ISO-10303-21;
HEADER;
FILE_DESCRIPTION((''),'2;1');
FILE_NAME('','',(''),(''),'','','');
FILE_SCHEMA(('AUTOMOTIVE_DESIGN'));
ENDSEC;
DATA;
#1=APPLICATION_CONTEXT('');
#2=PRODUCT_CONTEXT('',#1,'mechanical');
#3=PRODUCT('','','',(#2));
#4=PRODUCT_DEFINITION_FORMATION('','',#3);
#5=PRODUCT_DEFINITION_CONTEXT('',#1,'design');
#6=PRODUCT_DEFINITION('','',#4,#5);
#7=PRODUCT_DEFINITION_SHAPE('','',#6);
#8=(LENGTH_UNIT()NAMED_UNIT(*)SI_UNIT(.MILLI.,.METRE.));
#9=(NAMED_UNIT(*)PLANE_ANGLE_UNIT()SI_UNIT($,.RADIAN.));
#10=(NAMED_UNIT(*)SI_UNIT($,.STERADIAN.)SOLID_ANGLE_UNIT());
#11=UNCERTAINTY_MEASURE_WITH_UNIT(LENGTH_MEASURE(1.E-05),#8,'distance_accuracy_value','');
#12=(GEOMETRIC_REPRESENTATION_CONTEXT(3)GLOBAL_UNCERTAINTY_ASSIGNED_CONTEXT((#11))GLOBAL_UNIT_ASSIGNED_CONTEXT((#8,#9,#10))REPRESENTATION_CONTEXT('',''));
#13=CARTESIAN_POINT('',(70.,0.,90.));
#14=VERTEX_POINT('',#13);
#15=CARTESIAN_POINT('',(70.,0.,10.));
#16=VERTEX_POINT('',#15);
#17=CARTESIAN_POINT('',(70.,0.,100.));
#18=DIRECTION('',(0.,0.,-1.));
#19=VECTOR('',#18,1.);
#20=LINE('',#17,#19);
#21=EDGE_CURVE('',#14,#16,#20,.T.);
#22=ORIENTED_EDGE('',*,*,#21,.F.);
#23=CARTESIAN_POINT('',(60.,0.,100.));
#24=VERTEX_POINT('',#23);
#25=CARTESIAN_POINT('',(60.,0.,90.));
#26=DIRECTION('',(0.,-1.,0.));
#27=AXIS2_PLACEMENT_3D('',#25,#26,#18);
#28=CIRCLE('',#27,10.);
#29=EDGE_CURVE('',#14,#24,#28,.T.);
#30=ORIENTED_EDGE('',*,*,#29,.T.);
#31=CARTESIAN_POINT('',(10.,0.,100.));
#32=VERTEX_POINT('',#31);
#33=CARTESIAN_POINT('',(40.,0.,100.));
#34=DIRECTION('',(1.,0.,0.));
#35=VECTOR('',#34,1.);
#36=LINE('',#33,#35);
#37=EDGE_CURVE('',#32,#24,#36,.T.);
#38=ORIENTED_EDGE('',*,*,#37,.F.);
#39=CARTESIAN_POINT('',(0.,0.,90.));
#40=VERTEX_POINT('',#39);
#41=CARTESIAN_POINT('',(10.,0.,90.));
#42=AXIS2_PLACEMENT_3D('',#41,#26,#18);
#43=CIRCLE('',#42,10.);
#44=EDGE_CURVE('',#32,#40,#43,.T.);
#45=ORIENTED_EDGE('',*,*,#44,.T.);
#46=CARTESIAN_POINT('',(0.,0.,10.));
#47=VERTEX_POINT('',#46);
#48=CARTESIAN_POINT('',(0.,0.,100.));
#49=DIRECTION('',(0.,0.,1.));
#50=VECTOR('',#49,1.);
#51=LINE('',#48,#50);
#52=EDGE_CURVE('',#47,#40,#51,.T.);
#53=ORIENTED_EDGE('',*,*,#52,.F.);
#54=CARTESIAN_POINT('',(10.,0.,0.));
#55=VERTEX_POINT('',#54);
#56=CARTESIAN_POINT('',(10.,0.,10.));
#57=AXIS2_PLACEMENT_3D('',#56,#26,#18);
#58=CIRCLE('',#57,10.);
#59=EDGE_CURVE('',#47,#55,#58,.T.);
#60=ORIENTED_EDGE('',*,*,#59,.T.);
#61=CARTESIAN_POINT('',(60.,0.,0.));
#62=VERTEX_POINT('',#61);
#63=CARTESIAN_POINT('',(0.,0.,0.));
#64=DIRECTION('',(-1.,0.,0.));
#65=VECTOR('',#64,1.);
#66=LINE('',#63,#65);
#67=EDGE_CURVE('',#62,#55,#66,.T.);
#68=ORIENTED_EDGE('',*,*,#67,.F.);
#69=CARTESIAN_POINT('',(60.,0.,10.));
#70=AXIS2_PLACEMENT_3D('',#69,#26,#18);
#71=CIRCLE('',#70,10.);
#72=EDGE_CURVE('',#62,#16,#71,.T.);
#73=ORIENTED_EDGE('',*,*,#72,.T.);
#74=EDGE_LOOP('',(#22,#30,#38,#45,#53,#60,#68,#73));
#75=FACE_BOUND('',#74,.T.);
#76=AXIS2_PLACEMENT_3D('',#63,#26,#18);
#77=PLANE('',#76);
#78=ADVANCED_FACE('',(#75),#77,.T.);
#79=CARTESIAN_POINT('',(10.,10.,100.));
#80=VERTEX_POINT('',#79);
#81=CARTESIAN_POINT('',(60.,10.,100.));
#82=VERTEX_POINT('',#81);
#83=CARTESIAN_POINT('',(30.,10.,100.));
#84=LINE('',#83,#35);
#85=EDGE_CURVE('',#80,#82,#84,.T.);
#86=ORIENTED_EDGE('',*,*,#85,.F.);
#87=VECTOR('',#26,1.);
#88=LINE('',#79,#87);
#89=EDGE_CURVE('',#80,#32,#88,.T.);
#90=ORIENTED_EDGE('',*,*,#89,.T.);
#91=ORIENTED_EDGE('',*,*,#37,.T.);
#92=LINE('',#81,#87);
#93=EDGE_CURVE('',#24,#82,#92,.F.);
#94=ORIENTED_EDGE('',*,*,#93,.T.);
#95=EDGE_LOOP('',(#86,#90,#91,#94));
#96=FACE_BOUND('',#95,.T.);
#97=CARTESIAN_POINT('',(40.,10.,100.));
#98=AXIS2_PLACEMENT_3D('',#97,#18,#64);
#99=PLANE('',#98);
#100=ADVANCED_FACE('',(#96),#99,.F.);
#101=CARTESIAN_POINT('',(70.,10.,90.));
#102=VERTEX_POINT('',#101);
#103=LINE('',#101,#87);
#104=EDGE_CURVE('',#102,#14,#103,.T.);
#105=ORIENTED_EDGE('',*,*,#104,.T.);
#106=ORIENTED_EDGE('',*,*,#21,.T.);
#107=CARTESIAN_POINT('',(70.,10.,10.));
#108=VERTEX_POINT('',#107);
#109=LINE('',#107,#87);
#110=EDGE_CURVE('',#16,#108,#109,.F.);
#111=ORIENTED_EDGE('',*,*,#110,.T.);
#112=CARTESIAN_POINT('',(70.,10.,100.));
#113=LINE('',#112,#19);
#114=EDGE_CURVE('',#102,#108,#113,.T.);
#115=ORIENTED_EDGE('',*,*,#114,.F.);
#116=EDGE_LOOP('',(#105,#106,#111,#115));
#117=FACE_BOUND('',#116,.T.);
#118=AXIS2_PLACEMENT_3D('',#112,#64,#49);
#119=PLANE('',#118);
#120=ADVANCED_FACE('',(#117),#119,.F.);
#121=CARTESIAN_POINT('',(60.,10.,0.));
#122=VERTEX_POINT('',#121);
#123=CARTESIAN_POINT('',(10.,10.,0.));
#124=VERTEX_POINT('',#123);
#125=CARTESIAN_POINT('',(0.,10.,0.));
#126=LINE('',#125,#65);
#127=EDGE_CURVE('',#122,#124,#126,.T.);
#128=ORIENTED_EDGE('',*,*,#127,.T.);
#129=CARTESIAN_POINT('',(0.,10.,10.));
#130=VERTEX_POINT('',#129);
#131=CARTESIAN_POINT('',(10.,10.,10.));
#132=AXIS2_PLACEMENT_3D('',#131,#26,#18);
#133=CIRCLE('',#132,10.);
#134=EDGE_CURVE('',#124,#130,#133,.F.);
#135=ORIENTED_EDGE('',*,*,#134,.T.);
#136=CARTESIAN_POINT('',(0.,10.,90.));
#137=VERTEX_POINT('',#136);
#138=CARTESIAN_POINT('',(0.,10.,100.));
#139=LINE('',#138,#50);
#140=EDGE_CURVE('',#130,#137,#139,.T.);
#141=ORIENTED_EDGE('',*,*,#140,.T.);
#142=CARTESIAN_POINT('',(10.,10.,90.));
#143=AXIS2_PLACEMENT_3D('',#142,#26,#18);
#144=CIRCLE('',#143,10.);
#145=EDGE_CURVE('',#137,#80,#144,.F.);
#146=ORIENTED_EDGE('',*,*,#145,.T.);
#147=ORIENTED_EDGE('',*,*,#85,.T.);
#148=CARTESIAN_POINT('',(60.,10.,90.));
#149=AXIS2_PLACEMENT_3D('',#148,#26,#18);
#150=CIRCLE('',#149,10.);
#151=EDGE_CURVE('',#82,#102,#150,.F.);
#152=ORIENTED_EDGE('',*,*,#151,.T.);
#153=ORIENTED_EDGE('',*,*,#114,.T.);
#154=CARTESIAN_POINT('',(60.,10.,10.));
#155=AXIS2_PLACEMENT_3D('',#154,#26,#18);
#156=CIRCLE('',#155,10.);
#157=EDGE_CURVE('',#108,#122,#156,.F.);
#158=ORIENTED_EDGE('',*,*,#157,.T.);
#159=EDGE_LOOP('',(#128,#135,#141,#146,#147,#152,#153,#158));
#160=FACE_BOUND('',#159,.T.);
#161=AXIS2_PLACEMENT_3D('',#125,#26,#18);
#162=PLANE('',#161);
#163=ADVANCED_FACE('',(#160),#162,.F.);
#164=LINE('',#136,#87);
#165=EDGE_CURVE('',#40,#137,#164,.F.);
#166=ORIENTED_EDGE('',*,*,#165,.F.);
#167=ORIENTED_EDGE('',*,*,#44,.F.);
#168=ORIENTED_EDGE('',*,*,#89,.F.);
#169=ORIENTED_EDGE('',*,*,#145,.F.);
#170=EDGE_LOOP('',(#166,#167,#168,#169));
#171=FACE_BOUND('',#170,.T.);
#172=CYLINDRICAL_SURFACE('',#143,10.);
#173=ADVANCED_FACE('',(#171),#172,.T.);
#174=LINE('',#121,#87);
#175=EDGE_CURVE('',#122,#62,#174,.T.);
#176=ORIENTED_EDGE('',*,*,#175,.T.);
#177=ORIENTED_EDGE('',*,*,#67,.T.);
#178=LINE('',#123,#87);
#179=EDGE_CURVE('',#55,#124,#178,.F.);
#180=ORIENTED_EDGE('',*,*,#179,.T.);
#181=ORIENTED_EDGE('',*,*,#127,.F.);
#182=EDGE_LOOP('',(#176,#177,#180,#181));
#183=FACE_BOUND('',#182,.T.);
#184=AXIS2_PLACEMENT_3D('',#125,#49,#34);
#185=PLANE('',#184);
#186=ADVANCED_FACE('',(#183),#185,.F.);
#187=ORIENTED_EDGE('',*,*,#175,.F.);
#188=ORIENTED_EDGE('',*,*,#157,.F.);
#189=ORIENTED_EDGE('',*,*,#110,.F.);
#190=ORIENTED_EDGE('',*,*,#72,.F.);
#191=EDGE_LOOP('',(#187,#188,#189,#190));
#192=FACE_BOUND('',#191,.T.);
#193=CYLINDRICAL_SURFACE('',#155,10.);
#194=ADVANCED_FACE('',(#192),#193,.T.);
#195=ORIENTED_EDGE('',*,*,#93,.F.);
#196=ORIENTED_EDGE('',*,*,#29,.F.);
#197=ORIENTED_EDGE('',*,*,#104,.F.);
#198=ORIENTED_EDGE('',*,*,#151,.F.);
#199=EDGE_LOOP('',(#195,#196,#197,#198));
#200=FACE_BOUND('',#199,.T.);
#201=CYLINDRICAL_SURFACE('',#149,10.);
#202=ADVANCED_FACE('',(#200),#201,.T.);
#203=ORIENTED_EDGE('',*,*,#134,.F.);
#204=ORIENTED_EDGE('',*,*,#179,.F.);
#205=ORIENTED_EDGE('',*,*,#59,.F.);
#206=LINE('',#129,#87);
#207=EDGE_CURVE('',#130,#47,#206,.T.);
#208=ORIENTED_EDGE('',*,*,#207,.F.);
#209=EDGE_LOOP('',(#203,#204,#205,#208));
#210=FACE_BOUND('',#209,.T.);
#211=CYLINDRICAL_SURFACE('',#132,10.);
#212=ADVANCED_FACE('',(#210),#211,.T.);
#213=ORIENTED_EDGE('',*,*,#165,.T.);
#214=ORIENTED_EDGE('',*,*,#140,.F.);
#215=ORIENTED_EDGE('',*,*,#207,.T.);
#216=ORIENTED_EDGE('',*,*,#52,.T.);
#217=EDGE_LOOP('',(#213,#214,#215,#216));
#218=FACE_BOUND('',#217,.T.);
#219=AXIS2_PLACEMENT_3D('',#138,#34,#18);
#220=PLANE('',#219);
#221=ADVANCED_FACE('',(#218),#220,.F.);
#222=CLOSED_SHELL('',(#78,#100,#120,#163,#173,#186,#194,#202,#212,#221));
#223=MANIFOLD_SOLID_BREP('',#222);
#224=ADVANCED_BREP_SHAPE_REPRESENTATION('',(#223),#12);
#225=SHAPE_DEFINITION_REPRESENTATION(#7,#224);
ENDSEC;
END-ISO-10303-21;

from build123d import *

# Parameters (mm, degrees)
BOSS_EXTRU_1_DEPTH = 10
CONG_2_R           = 10


with BuildPart() as part:
    # Esquisse1 → Boss.-Extru.1 (new body)
    with BuildSketch(Plane(origin=(0, 0, 0), x_dir=(1, 0, 0), z_dir=(0, 1, 0))):
        Polygon((0, 0), (70, 0), (70, -100), (40, -100), (30, -100), (0, -100), align=None)
    extrude(amount=BOSS_EXTRU_1_DEPTH)

    # Congé2
    cong_2_edges = [part.edges().sort_by_distance(p)[0] for p in [
        (0, 5, 0),
        (70, 5, 0),
        (70, 5, 100),
        (0, 5, 100),
    ]]
    fillet(cong_2_edges, radius=CONG_2_R)


solid = part.part
